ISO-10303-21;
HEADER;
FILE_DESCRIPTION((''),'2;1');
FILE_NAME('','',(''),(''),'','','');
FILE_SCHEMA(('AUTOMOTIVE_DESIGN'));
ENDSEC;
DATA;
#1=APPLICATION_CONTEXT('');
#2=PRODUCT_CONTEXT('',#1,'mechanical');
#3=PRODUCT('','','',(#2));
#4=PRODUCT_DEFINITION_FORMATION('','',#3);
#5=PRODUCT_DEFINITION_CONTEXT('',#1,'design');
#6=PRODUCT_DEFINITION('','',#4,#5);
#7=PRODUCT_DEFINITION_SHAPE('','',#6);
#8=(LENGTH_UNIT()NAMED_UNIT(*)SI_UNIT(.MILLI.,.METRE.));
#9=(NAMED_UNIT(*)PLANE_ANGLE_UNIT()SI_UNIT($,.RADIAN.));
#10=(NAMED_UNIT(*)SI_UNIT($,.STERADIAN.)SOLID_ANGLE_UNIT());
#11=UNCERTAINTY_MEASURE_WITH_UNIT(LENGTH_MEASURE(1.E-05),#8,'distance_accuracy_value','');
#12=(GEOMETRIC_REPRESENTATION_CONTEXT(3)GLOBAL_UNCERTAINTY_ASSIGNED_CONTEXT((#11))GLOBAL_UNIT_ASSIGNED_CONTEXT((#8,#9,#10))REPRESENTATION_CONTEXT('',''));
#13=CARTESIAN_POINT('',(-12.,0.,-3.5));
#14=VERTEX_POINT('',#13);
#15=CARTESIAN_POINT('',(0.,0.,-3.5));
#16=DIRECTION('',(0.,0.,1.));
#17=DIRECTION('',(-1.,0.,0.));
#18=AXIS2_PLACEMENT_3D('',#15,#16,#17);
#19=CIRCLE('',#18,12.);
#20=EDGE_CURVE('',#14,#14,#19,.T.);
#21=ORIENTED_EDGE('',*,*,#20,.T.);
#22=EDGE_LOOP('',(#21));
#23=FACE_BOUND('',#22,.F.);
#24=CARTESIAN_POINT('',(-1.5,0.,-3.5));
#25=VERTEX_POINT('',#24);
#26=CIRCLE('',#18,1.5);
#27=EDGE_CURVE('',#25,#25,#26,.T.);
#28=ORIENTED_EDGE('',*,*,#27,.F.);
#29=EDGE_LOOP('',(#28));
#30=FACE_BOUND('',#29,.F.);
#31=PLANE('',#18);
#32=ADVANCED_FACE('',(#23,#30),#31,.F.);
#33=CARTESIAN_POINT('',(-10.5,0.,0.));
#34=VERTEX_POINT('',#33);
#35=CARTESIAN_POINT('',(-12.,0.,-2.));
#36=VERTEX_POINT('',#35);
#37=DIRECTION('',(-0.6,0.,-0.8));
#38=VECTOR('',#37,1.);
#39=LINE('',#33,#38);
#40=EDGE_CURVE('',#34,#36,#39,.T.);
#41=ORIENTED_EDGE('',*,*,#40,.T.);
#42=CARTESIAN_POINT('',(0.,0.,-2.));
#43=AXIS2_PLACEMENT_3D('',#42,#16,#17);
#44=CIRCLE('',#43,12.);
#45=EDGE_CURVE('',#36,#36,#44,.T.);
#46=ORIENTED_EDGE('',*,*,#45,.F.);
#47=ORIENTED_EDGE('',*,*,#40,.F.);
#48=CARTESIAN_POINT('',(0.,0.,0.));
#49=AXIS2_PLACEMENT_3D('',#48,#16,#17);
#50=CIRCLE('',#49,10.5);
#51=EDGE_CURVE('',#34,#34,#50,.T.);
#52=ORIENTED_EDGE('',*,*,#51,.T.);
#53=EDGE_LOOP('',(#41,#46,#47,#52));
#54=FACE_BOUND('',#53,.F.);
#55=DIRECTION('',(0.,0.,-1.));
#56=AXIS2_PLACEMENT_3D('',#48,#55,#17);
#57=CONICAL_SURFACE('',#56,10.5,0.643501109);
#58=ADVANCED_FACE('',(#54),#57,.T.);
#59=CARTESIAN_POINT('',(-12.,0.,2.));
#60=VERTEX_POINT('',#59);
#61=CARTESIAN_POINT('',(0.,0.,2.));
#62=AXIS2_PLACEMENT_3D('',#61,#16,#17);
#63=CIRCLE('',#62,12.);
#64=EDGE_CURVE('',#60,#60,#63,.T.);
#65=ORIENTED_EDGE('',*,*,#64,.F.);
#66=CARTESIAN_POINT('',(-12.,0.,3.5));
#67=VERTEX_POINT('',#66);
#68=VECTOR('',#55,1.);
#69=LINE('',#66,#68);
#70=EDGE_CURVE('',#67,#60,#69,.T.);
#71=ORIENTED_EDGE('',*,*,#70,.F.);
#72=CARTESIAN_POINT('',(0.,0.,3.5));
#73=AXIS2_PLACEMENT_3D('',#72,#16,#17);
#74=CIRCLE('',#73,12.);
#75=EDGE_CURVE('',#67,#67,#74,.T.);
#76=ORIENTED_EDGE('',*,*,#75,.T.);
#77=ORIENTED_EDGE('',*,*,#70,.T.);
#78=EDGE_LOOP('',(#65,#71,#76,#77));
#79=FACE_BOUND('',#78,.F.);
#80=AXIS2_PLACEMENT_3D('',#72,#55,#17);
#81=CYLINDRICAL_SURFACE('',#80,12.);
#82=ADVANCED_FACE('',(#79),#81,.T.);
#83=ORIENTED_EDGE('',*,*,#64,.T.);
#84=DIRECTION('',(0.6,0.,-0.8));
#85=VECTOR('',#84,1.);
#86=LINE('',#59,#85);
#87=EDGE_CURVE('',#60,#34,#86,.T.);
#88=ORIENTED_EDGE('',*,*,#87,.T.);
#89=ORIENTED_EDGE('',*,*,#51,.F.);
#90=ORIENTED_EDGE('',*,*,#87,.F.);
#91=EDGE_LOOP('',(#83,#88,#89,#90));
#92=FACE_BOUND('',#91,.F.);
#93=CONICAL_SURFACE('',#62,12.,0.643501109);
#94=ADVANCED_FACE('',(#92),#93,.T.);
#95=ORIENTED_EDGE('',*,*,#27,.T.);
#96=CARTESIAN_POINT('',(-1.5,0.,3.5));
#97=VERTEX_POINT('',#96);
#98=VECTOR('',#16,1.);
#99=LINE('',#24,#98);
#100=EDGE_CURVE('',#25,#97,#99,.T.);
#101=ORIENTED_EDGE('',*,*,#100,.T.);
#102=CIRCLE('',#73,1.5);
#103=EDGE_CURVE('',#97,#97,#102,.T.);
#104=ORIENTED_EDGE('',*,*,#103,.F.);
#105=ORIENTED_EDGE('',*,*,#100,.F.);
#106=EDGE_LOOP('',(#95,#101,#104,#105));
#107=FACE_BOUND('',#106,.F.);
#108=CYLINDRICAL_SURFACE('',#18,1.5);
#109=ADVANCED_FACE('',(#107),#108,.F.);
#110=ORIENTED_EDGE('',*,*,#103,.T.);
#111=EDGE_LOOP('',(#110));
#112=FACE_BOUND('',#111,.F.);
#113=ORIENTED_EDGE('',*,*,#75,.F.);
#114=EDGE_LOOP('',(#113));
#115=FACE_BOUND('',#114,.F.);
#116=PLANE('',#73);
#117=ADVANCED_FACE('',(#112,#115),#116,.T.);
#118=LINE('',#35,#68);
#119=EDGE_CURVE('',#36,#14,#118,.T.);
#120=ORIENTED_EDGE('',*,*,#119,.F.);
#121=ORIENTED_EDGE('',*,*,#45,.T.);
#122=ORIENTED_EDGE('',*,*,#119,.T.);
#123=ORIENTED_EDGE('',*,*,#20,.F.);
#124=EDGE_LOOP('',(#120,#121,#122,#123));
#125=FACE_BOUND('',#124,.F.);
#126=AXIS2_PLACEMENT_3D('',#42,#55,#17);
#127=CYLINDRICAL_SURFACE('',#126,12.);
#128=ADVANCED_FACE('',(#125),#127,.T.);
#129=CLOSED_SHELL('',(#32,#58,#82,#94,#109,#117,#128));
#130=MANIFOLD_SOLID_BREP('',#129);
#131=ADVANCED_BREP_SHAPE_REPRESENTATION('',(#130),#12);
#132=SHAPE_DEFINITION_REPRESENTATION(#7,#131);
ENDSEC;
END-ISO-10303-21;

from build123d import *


with BuildPart() as f1:
    # F0 (on Front) → F1 (revolve)
    with BuildSketch(Plane.XZ):
        Polygon((-10.5, 0), (-1.5, 0), (-1.5, 3.5), (-12, 3.5), (-12, 2), align=None)
        Polygon((-1.5, -3.5), (-1.5, 0), (-10.5, 0), (-12, -2), (-12, -3.5), align=None)
    revolve(axis=Axis((0, 0, 1), (0, 0, 1)))


solid = f1.part
